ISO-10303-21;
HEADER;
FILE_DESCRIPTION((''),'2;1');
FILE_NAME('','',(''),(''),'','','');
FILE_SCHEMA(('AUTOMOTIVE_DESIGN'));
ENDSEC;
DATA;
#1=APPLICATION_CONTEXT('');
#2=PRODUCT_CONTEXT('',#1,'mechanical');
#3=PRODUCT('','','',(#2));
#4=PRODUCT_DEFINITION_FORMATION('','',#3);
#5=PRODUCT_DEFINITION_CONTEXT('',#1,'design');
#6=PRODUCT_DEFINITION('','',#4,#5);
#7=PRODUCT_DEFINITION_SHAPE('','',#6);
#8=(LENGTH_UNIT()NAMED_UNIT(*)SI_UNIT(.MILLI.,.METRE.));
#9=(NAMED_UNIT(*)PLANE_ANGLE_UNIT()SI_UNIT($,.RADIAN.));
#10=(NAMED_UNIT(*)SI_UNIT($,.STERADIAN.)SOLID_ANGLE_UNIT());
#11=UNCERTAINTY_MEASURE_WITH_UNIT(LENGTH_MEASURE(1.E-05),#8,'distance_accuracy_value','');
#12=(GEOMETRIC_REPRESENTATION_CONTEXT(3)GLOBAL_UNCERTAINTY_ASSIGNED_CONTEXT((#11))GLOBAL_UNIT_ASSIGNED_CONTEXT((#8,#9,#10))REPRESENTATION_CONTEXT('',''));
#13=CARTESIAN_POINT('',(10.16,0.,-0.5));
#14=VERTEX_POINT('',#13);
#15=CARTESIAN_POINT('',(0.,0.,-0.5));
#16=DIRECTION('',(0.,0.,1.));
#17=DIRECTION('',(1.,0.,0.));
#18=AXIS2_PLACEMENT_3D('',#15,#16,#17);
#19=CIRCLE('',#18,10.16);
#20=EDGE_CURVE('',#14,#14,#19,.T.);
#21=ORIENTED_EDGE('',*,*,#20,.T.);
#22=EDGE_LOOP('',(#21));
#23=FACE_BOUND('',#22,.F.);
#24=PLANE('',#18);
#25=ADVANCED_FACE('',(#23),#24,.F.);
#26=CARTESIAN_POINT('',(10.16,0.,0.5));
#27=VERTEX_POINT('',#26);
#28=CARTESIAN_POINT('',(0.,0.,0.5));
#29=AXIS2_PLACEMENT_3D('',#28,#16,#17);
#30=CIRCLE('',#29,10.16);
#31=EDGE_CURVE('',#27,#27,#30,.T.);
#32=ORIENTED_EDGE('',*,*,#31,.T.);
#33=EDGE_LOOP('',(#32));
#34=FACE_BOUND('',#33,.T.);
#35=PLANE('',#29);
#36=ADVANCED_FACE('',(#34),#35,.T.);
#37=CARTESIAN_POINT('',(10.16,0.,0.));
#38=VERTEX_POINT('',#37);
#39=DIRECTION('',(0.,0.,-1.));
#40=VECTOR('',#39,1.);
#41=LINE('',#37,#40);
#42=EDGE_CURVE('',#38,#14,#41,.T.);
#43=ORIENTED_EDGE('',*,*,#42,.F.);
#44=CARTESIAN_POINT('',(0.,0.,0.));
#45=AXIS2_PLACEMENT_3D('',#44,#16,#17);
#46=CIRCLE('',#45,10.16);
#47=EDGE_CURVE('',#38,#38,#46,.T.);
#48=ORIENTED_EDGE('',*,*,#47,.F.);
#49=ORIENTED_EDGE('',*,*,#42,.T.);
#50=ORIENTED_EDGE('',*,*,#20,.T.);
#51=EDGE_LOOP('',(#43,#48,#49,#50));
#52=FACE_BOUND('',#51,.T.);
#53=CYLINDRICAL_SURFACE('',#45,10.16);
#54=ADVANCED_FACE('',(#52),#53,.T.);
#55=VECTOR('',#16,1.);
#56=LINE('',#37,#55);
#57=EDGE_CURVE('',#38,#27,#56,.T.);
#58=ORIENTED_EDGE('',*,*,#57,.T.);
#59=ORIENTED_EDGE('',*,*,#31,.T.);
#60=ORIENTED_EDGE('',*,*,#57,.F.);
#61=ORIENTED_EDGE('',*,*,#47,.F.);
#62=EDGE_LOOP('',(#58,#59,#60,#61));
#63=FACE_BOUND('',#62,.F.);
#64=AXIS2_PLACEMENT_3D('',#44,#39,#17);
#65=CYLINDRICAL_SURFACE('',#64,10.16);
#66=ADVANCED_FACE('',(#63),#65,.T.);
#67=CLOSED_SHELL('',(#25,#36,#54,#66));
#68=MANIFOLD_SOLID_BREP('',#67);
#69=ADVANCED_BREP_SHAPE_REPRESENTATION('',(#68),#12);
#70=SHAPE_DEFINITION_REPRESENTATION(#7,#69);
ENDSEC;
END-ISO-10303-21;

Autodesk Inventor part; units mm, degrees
ref_plane "YZ Plane" through (0, 0, 0) normal (1, 0, 0) x (0, 1, 0)
ref_plane "XZ Plane" through (0, 0, 0) normal (0, 1, 0) x (-1, 0, 0)
ref_plane "XY Plane" through (0, 0, 0) normal (0, 0, 1) x (1, 0, 0)
sketch "Sketch1" plane through (0, 0, 0) normal (0, 0, 1) x (1, 0, 0)
  circle A0 centre (0, 0) radius 10.16
  dimension "d0" = 20.32
extrude "Extrusion1" add sketch "Sketch1" along normal mid plane 1
properties part number "pad"
